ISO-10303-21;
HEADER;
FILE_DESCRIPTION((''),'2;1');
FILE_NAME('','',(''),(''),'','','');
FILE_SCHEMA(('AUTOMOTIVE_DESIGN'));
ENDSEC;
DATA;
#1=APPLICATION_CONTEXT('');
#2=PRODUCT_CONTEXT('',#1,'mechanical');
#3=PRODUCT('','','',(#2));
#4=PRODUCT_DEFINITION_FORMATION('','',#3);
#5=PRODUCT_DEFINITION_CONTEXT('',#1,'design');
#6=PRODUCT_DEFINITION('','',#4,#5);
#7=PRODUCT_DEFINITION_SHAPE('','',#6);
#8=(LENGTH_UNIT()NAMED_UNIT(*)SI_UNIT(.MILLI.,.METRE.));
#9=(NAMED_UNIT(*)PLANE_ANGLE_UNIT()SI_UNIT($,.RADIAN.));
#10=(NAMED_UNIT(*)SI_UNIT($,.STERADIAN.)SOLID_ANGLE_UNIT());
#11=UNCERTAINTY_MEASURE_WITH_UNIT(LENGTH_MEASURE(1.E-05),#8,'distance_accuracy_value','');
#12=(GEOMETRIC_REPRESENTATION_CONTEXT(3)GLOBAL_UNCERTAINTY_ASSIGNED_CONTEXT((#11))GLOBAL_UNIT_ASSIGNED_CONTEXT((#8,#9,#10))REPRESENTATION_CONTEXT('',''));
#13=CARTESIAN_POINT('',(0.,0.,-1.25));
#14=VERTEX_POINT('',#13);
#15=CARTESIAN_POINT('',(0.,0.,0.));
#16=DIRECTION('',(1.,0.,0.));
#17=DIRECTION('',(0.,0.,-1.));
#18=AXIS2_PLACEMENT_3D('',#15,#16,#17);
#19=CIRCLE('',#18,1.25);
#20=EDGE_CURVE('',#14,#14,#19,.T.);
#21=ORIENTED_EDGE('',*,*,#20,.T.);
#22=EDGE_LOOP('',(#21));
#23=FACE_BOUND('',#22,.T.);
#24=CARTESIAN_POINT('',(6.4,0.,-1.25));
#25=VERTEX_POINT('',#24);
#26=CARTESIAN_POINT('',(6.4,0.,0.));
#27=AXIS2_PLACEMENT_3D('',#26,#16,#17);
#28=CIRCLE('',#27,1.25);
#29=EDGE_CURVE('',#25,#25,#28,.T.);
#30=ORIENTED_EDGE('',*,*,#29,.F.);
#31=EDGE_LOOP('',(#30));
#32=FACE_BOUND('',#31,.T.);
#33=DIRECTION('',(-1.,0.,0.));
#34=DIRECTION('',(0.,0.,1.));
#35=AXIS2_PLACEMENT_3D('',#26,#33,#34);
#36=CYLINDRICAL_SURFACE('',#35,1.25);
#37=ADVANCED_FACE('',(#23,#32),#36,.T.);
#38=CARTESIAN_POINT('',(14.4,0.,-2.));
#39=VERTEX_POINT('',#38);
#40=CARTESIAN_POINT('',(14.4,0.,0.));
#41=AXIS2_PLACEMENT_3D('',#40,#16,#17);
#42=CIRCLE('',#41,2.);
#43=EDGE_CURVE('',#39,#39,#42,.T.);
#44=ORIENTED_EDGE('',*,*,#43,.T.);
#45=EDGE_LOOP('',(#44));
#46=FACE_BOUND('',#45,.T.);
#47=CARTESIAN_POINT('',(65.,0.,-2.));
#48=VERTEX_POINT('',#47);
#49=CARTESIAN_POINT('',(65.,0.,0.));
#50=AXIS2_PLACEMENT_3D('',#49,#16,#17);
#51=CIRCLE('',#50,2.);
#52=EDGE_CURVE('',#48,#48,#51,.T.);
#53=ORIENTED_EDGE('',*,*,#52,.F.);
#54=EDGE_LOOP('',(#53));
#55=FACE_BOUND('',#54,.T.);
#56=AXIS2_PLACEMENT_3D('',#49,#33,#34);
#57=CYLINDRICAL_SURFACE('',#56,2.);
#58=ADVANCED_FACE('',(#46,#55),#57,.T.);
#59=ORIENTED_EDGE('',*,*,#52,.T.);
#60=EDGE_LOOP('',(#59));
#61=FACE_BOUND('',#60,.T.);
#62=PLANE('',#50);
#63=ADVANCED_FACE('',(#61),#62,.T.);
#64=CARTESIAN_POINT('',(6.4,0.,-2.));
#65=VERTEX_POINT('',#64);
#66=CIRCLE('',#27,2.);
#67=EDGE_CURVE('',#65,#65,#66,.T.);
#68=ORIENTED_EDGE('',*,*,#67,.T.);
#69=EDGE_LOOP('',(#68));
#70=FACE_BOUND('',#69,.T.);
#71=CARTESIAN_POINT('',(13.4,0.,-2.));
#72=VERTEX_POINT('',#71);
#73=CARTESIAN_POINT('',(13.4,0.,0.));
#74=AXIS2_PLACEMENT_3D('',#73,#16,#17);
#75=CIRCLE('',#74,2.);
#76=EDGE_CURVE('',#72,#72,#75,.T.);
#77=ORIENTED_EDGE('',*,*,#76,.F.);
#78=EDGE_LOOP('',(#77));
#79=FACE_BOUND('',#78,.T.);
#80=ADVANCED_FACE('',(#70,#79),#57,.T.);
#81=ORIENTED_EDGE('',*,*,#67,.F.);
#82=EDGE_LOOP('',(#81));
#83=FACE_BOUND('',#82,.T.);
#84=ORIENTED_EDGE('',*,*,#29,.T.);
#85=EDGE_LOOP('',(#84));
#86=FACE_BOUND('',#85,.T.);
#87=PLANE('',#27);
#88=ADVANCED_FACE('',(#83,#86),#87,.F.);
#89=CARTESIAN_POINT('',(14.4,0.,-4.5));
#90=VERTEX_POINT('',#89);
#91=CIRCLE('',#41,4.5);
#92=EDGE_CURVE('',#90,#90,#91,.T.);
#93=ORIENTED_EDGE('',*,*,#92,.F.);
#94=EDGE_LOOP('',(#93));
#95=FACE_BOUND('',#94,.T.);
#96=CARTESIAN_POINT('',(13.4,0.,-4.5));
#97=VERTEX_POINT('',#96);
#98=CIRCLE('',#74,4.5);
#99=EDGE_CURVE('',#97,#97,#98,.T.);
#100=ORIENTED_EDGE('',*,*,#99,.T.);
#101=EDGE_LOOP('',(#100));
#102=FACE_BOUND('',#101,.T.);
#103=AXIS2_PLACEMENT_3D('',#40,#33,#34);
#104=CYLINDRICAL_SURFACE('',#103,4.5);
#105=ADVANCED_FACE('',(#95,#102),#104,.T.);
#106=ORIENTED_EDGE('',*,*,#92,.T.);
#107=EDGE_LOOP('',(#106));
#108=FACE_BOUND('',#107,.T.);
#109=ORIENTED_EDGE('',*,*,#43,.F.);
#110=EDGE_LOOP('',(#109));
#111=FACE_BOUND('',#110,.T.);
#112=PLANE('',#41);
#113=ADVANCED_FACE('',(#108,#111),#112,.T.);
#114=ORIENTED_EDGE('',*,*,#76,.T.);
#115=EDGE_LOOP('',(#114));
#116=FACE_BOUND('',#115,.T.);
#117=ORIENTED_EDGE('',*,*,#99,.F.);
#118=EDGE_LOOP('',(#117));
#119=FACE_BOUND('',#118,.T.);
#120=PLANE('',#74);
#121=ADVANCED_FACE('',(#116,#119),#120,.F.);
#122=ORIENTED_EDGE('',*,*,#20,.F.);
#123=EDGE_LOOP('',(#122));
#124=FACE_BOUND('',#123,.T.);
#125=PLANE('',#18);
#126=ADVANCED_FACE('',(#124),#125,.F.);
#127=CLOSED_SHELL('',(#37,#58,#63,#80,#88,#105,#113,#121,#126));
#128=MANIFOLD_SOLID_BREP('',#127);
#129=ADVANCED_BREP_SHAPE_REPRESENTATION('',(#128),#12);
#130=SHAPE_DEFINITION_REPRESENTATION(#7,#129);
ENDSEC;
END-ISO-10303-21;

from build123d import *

# Parameters (mm, degrees)
SKETCH1_R           = 2
BOSS_EXTRUDE1_DEPTH = 65
SKETCH2_R           = 4.5
BOSS_EXTRUDE2_DEPTH = 1
SKETCH3_R           = 2
SKETCH3_R_2         = 1.25
CUT_EXTRUDE1_DEPTH  = 6.4


with BuildPart() as part:
    # Sketch1 → Boss-Extrude1 (new body)
    with BuildSketch(Plane(origin=(0, 0, 0), x_dir=(0, 0, -1), z_dir=(1, 0, 0))):
        Circle(SKETCH1_R)
    extrude(amount=BOSS_EXTRUDE1_DEPTH)

    # Sketch2 → Boss-Extrude2 (add)
    with BuildSketch(Plane(origin=(13.4, 0, 0), x_dir=(0, 0, -1), z_dir=(1, 0, 0))):
        Circle(SKETCH2_R)
    extrude(amount=BOSS_EXTRUDE2_DEPTH)

    # Sketch3 → Cut-Extrude1 (cut)
    with BuildSketch(Plane(origin=(0, 0, 0), x_dir=(0, 0, -1), z_dir=(1, 0, 0))):
        Circle(SKETCH3_R)
        Circle(SKETCH3_R_2, mode=Mode.SUBTRACT)
    extrude(amount=CUT_EXTRUDE1_DEPTH, mode=Mode.SUBTRACT)


solid = part.part
